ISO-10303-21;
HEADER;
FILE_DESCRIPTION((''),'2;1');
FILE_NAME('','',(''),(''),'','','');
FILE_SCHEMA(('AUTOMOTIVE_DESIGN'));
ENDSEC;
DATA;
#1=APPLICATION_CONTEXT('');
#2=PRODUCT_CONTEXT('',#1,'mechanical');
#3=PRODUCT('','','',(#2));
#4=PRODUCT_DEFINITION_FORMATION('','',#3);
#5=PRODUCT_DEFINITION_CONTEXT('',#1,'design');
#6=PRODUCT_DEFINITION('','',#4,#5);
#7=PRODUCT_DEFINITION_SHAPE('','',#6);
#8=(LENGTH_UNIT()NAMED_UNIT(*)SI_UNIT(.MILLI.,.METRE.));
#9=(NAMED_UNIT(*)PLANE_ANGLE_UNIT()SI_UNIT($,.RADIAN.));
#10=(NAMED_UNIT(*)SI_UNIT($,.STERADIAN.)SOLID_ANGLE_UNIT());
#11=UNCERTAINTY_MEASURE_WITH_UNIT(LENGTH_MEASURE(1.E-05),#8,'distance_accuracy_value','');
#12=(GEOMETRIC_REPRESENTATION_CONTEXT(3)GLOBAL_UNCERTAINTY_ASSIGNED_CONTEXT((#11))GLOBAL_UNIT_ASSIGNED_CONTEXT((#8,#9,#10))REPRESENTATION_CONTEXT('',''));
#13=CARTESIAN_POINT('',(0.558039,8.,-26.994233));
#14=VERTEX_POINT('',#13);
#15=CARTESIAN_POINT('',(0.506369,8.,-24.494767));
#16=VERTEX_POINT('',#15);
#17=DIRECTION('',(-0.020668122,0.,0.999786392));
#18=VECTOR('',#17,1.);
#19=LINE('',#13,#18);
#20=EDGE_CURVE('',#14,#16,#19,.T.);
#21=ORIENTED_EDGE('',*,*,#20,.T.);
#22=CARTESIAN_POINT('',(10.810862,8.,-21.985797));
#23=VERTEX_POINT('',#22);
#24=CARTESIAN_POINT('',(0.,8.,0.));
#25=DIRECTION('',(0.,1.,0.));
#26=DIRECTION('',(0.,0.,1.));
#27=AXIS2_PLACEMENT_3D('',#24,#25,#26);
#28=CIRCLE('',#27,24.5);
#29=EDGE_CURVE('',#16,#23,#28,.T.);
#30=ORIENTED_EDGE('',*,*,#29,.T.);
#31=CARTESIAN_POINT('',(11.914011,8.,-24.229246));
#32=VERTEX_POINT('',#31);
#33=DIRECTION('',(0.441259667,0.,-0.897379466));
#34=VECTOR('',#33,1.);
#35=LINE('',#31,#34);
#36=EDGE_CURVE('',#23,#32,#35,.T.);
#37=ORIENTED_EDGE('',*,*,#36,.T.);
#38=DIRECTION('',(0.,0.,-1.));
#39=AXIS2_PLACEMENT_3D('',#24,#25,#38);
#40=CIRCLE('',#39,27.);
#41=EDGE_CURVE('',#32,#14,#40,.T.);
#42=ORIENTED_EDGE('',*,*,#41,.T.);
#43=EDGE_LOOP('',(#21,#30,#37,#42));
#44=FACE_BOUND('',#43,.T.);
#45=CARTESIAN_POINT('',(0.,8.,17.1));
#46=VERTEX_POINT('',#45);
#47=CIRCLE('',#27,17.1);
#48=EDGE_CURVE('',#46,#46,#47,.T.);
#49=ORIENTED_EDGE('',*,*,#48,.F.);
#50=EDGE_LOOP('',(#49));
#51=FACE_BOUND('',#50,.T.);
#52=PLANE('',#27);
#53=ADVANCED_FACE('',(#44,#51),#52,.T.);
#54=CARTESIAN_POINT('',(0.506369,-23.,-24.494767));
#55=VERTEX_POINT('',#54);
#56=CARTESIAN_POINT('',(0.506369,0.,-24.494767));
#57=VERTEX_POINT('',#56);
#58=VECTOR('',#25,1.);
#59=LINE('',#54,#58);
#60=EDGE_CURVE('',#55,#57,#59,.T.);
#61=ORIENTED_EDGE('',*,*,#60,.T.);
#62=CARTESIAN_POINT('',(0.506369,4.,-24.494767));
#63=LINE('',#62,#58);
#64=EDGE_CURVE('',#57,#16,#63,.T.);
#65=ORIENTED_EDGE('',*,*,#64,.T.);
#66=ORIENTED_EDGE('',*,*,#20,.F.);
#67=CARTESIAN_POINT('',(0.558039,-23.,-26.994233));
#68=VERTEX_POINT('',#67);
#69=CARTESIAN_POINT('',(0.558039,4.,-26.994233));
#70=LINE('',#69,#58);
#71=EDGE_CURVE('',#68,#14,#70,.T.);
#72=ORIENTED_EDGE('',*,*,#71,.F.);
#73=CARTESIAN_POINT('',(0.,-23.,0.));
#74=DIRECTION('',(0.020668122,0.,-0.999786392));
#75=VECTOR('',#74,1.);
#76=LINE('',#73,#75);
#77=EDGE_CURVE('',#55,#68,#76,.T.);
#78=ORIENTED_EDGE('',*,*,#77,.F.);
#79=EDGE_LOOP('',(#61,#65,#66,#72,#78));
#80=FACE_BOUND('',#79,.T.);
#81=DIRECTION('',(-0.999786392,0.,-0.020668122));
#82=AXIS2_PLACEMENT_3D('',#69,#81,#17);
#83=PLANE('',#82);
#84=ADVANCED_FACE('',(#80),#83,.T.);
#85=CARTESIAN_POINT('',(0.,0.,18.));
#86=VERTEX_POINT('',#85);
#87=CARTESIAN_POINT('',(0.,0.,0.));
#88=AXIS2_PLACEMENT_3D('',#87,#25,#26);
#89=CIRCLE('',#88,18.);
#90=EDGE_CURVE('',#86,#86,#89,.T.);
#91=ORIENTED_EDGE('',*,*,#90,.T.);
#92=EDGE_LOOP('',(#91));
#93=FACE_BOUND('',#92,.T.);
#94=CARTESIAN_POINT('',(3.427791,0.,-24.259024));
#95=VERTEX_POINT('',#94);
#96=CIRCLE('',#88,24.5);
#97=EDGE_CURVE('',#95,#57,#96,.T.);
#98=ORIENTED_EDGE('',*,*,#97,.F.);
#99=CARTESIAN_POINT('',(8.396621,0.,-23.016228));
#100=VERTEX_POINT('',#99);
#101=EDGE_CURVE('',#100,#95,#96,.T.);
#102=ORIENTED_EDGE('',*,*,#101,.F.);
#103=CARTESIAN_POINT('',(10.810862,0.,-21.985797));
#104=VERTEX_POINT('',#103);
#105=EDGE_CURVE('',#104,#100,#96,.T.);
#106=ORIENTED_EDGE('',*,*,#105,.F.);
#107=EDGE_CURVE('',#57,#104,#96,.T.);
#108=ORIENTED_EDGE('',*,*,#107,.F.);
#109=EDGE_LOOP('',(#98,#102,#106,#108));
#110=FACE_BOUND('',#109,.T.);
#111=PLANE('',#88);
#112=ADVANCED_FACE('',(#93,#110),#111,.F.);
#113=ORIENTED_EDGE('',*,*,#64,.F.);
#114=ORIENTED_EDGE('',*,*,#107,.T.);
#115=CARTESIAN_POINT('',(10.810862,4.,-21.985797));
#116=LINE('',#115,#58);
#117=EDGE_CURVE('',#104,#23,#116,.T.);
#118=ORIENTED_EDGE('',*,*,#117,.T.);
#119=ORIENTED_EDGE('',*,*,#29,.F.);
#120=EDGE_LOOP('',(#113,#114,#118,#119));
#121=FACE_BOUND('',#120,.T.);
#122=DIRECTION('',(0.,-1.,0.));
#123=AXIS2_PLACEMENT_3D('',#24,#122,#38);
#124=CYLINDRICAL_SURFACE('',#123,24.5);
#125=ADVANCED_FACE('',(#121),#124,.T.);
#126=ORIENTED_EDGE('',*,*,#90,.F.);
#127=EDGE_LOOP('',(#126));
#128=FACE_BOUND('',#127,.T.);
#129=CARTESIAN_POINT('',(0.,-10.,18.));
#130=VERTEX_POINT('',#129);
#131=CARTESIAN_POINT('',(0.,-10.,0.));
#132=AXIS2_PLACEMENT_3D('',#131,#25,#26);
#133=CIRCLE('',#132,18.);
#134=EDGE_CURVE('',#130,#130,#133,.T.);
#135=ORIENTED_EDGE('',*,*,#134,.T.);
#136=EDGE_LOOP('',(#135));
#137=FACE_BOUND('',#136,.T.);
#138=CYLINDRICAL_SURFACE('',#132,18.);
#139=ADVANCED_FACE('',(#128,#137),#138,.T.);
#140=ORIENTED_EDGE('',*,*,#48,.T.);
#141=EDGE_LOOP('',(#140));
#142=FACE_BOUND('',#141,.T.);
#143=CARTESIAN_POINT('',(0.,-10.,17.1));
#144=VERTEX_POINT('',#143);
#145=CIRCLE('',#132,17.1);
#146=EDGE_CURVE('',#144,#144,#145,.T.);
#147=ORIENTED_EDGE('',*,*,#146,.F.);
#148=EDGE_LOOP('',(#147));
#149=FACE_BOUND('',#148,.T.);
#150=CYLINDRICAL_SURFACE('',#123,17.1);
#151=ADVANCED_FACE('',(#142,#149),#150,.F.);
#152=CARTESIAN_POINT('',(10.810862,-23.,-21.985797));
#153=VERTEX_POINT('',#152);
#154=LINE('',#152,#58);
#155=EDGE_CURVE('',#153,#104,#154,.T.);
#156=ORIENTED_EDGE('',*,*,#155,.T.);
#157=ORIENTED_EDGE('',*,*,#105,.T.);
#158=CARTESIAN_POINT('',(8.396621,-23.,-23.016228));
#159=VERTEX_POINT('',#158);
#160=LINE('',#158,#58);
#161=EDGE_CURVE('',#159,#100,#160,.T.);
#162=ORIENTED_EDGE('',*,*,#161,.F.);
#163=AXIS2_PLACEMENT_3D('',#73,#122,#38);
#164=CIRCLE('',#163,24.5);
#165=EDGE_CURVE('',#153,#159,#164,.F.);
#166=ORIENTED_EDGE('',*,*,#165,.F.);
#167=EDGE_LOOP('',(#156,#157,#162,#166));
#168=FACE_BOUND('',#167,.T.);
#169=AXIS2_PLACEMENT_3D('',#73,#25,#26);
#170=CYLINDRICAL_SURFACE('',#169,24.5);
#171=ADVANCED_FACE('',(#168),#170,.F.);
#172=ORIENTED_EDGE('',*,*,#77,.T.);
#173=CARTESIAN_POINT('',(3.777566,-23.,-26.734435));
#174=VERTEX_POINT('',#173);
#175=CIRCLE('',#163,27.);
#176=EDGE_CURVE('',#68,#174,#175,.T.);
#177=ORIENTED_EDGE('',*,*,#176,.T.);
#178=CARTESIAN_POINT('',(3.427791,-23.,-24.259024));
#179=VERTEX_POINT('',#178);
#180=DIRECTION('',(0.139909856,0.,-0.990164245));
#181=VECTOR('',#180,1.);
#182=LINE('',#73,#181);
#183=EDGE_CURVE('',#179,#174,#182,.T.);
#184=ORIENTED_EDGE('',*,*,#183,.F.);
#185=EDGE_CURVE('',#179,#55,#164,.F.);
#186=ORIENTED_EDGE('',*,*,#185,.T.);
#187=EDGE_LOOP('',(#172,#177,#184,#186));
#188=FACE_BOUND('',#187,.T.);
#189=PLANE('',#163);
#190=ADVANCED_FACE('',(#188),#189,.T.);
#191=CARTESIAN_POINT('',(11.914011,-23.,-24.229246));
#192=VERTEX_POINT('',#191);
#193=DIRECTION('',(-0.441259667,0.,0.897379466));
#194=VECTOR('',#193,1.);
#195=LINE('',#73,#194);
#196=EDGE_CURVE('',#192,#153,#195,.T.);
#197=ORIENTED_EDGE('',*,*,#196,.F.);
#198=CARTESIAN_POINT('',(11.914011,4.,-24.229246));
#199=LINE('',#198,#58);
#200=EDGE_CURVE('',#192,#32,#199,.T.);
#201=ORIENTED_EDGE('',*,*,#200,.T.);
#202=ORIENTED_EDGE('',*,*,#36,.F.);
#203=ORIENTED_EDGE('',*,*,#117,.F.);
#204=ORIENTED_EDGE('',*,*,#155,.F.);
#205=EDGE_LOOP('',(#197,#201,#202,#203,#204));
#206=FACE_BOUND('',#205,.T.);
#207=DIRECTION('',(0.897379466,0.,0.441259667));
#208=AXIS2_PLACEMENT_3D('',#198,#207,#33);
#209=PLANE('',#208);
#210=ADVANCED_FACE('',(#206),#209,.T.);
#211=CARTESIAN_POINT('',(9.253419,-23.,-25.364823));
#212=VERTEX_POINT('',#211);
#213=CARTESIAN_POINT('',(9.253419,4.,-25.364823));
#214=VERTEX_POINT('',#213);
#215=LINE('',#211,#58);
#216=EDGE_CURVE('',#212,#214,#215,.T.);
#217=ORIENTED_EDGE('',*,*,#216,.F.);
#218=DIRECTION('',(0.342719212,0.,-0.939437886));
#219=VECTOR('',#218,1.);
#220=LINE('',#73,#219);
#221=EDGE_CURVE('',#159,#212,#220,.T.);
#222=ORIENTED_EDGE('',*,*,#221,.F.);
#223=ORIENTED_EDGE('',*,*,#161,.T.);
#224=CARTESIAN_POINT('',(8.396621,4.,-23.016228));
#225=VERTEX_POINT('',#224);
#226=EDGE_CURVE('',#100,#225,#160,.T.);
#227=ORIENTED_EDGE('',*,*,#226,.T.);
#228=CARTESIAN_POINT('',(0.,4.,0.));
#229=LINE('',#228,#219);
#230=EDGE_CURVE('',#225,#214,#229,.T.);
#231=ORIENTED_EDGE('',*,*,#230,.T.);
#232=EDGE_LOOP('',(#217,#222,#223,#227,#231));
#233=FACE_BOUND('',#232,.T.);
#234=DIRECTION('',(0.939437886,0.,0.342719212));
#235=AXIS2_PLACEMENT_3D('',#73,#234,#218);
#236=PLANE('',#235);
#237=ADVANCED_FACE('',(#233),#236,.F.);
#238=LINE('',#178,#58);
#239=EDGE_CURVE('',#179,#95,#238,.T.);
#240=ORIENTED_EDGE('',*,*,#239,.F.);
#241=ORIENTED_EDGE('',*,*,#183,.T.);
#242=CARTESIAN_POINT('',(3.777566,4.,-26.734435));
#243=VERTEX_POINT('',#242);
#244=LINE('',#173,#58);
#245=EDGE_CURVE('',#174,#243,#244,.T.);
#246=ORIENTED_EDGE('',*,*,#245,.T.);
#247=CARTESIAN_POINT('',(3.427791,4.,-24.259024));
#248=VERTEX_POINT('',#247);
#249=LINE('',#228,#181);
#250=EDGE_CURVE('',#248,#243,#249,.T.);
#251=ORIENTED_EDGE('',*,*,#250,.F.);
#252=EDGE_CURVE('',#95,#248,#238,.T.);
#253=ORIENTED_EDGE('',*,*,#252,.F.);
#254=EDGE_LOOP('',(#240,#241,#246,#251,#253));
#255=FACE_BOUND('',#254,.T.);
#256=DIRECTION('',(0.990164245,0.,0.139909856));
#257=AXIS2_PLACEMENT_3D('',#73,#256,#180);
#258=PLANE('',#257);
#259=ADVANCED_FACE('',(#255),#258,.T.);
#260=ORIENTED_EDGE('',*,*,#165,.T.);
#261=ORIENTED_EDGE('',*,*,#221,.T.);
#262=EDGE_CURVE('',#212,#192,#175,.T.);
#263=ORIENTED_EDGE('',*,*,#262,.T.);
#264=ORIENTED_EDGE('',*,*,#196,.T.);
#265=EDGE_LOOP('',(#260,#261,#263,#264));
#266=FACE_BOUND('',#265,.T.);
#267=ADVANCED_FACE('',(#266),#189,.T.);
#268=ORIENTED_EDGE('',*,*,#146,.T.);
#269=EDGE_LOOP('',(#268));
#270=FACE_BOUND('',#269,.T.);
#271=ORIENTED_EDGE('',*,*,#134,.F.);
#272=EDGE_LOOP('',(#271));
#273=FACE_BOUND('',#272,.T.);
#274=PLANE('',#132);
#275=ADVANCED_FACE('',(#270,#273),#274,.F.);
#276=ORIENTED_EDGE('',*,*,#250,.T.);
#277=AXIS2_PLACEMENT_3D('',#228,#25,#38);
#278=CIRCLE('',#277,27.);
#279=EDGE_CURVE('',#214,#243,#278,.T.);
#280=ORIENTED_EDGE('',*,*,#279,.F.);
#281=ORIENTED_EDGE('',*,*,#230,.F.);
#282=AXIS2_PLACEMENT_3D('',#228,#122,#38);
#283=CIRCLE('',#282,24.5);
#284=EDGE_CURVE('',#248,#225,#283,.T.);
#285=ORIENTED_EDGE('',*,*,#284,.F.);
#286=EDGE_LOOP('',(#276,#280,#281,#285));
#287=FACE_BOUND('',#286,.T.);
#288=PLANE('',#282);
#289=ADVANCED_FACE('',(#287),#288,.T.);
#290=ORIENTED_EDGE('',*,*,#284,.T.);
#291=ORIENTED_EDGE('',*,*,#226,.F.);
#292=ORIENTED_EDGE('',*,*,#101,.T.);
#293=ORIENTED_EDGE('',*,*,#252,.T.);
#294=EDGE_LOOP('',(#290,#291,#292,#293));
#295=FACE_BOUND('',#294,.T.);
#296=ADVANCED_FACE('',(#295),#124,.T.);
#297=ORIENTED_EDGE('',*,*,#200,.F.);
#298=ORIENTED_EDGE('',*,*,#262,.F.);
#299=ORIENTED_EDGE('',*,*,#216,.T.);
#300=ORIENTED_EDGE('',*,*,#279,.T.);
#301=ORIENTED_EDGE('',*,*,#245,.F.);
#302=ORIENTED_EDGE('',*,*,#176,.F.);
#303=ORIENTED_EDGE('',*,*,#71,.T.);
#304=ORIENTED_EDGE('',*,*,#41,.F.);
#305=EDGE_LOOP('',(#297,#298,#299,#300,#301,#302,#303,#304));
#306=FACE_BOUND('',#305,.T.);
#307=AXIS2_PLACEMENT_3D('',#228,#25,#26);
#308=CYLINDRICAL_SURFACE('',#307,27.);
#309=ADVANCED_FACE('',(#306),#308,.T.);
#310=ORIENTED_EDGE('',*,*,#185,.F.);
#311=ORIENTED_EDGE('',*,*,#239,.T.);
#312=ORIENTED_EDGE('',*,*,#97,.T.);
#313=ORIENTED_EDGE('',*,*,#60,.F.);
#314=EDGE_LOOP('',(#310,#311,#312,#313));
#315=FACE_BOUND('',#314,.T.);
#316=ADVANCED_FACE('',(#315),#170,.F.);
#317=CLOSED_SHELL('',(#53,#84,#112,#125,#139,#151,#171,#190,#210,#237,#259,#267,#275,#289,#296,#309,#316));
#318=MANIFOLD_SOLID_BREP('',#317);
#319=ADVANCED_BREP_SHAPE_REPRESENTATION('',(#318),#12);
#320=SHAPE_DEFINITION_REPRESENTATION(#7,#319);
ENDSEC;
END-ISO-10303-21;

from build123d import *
from build123d.topology import SkipClean

# Parameters (mm, degrees)
SKETCH1_R           = 24.5
SKETCH1_R_2         = 17.1
BOSS_EXTRUDE1_DEPTH = 8
BOSS_EXTRUDE2_START = -10
SKETCH1_3_R         = 18
SKETCH1_3_R_2       = 17.1
BOSS_EXTRUDE2_DEPTH = 10
BOSS_EXTRUDE3_START = -4
BOSS_EXTRUDE3_DEPTH = 4
BOSS_EXTRUDE4_START = 27
BOSS_EXTRUDE4_DEPTH = 27


with BuildPart() as part:
    # Sketch1 → Boss-Extrude1 (new body)
    with BuildSketch(Plane(origin=(0, 0, 0), x_dir=(1, 0, 0), z_dir=(0, 1, 0))):
        Circle(SKETCH1_R)
        Circle(SKETCH1_R_2, mode=Mode.SUBTRACT)
    extrude(amount=BOSS_EXTRUDE1_DEPTH)

    # Sketch1<3> → Boss-Extrude2 (add)
    with BuildSketch(Plane(origin=(0, 0, 0), x_dir=(1, 0, 0), z_dir=(0, 1, 0)).offset(BOSS_EXTRUDE2_START)):
        Circle(SKETCH1_3_R)
        Circle(SKETCH1_3_R_2, mode=Mode.SUBTRACT)
    extrude(amount=BOSS_EXTRUDE2_DEPTH)

    # Sketch2 → Boss-Extrude3 (add)
    with BuildSketch(Plane(origin=(0, 8, 0), x_dir=(1, 0, 0), z_dir=(0, 1, 0)).offset(BOSS_EXTRUDE3_START)):
        with BuildLine():
            Line((0.558039299, 26.994232572), (0.506368994, 24.494766593))
            ThreePointArc((0.506368994, 24.494766593), (5.796003851, 23.804544511), (10.810861841, 21.985796921))
            Line((10.810861841, 21.985796921), (11.914011009, 24.229245586))
            ThreePointArc((11.914011009, 24.229245586), (6.387432816, 26.233579665), (0.558039299, 26.994232572))
        make_face()
    extrude(amount=BOSS_EXTRUDE3_DEPTH)

    # Sketch3 → Boss-Extrude4 (add)
    with SkipClean():  # the faces are left unmerged after this step: merging them gives an invalid solid
        with BuildSketch(Plane.XZ.offset(-4).offset(BOSS_EXTRUDE4_START)):
            with BuildLine():
                Line((0.506368994, -24.494766593), (0.558039299, -26.994232572))
                ThreePointArc((0.558039299, -26.994232572), (2.171691116, -26.912520463), (3.777566106, -26.734434617))
                Line((3.777566106, -26.734434617), (3.427791467, -24.259024005))
                ThreePointArc((3.427791467, -24.259024005), (1.970608605, -24.420620421), (0.506368994, -24.494766593))
            make_face()
            with BuildLine():
                Line((8.396620698, -23.016228207), (9.253418728, -25.364822922))
                ThreePointArc((9.253418728, -25.364822922), (10.598934115, -24.832692073), (11.914011009, -24.229245586))
                Line((11.914011009, -24.229245586), (10.810861841, -21.985796921))
                ThreePointArc((10.810861841, -21.985796921), (9.617551327, -22.533368733), (8.396620698, -23.016228207))
            make_face()
        extrude(amount=-BOSS_EXTRUDE4_DEPTH)


solid = part.part
